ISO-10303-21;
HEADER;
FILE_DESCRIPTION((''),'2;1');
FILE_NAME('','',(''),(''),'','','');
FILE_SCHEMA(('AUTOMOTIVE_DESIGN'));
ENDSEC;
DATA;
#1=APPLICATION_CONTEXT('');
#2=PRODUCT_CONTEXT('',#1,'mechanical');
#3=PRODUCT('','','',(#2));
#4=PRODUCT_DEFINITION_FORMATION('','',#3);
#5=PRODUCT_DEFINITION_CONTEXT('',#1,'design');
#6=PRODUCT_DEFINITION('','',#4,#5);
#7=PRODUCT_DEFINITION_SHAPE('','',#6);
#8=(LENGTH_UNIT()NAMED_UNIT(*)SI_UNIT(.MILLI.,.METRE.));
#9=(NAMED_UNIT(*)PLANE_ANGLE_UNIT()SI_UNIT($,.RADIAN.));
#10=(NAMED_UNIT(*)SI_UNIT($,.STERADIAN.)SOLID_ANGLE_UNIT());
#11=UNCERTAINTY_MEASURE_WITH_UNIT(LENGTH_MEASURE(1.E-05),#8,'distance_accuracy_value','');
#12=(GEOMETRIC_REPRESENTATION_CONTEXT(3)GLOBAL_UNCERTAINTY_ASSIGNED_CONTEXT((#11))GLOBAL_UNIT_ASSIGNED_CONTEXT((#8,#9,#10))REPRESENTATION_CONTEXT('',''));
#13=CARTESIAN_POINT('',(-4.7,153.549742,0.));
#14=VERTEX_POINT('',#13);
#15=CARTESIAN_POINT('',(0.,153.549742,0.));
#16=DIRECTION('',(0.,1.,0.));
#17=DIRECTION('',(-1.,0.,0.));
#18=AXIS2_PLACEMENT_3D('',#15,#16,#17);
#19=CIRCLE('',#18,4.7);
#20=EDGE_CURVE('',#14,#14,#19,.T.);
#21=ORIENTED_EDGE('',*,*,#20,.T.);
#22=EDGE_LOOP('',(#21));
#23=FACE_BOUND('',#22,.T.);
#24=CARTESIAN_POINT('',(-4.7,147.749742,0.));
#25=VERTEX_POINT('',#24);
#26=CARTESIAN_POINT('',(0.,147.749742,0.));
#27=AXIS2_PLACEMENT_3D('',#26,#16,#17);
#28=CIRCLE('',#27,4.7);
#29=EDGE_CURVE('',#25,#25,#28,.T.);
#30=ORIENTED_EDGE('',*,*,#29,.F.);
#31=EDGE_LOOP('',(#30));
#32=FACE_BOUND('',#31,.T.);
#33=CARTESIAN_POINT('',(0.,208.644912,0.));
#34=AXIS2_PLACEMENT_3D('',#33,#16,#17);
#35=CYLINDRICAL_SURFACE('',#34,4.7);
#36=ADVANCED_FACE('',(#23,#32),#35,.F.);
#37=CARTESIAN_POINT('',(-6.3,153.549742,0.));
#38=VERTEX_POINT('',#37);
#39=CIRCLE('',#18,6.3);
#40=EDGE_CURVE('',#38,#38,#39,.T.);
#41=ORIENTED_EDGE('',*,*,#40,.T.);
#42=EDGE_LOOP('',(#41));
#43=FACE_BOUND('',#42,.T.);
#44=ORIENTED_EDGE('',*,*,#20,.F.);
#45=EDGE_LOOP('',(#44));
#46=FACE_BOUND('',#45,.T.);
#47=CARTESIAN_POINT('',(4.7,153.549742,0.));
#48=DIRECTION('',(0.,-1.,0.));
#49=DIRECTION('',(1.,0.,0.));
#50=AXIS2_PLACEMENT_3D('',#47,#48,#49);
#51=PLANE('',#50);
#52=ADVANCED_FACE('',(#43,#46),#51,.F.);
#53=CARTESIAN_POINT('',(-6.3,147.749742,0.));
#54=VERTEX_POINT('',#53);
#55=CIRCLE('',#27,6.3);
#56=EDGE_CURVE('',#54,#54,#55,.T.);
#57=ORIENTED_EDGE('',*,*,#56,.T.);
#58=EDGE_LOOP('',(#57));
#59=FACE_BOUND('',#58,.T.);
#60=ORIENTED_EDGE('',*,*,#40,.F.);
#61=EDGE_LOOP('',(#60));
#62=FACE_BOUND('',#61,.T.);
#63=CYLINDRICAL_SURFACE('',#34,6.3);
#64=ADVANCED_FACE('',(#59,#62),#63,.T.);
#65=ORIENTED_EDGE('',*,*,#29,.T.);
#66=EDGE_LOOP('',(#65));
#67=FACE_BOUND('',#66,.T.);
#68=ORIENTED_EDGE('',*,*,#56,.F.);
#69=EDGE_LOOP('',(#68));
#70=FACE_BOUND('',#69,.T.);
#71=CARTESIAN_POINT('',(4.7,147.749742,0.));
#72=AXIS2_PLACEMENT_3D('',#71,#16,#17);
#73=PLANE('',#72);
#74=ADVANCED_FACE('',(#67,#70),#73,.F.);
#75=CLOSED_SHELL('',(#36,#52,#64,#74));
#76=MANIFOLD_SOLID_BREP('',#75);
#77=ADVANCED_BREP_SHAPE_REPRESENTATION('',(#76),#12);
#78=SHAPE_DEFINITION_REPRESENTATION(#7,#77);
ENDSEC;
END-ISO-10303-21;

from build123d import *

# Parameters (mm, degrees)
ESQUISSE1_W = 1.6
ESQUISSE1_H = 5.8


with BuildPart() as part:
    # Esquisse1 → Révolution1 (revolve)
    with BuildSketch(Plane.XY, mode=Mode.PRIVATE) as r_volution1_sk:
        with Locations((5.5, 150.649741533)):
            Rectangle(ESQUISSE1_W, ESQUISSE1_H)
    revolve(r_volution1_sk.sketch.rotate(Axis((0, 208.644912312, 0), (0, -1, 0)), 180), axis=Axis((0, 208.644912312, 0), (0, -1, 0)))


solid = part.part
